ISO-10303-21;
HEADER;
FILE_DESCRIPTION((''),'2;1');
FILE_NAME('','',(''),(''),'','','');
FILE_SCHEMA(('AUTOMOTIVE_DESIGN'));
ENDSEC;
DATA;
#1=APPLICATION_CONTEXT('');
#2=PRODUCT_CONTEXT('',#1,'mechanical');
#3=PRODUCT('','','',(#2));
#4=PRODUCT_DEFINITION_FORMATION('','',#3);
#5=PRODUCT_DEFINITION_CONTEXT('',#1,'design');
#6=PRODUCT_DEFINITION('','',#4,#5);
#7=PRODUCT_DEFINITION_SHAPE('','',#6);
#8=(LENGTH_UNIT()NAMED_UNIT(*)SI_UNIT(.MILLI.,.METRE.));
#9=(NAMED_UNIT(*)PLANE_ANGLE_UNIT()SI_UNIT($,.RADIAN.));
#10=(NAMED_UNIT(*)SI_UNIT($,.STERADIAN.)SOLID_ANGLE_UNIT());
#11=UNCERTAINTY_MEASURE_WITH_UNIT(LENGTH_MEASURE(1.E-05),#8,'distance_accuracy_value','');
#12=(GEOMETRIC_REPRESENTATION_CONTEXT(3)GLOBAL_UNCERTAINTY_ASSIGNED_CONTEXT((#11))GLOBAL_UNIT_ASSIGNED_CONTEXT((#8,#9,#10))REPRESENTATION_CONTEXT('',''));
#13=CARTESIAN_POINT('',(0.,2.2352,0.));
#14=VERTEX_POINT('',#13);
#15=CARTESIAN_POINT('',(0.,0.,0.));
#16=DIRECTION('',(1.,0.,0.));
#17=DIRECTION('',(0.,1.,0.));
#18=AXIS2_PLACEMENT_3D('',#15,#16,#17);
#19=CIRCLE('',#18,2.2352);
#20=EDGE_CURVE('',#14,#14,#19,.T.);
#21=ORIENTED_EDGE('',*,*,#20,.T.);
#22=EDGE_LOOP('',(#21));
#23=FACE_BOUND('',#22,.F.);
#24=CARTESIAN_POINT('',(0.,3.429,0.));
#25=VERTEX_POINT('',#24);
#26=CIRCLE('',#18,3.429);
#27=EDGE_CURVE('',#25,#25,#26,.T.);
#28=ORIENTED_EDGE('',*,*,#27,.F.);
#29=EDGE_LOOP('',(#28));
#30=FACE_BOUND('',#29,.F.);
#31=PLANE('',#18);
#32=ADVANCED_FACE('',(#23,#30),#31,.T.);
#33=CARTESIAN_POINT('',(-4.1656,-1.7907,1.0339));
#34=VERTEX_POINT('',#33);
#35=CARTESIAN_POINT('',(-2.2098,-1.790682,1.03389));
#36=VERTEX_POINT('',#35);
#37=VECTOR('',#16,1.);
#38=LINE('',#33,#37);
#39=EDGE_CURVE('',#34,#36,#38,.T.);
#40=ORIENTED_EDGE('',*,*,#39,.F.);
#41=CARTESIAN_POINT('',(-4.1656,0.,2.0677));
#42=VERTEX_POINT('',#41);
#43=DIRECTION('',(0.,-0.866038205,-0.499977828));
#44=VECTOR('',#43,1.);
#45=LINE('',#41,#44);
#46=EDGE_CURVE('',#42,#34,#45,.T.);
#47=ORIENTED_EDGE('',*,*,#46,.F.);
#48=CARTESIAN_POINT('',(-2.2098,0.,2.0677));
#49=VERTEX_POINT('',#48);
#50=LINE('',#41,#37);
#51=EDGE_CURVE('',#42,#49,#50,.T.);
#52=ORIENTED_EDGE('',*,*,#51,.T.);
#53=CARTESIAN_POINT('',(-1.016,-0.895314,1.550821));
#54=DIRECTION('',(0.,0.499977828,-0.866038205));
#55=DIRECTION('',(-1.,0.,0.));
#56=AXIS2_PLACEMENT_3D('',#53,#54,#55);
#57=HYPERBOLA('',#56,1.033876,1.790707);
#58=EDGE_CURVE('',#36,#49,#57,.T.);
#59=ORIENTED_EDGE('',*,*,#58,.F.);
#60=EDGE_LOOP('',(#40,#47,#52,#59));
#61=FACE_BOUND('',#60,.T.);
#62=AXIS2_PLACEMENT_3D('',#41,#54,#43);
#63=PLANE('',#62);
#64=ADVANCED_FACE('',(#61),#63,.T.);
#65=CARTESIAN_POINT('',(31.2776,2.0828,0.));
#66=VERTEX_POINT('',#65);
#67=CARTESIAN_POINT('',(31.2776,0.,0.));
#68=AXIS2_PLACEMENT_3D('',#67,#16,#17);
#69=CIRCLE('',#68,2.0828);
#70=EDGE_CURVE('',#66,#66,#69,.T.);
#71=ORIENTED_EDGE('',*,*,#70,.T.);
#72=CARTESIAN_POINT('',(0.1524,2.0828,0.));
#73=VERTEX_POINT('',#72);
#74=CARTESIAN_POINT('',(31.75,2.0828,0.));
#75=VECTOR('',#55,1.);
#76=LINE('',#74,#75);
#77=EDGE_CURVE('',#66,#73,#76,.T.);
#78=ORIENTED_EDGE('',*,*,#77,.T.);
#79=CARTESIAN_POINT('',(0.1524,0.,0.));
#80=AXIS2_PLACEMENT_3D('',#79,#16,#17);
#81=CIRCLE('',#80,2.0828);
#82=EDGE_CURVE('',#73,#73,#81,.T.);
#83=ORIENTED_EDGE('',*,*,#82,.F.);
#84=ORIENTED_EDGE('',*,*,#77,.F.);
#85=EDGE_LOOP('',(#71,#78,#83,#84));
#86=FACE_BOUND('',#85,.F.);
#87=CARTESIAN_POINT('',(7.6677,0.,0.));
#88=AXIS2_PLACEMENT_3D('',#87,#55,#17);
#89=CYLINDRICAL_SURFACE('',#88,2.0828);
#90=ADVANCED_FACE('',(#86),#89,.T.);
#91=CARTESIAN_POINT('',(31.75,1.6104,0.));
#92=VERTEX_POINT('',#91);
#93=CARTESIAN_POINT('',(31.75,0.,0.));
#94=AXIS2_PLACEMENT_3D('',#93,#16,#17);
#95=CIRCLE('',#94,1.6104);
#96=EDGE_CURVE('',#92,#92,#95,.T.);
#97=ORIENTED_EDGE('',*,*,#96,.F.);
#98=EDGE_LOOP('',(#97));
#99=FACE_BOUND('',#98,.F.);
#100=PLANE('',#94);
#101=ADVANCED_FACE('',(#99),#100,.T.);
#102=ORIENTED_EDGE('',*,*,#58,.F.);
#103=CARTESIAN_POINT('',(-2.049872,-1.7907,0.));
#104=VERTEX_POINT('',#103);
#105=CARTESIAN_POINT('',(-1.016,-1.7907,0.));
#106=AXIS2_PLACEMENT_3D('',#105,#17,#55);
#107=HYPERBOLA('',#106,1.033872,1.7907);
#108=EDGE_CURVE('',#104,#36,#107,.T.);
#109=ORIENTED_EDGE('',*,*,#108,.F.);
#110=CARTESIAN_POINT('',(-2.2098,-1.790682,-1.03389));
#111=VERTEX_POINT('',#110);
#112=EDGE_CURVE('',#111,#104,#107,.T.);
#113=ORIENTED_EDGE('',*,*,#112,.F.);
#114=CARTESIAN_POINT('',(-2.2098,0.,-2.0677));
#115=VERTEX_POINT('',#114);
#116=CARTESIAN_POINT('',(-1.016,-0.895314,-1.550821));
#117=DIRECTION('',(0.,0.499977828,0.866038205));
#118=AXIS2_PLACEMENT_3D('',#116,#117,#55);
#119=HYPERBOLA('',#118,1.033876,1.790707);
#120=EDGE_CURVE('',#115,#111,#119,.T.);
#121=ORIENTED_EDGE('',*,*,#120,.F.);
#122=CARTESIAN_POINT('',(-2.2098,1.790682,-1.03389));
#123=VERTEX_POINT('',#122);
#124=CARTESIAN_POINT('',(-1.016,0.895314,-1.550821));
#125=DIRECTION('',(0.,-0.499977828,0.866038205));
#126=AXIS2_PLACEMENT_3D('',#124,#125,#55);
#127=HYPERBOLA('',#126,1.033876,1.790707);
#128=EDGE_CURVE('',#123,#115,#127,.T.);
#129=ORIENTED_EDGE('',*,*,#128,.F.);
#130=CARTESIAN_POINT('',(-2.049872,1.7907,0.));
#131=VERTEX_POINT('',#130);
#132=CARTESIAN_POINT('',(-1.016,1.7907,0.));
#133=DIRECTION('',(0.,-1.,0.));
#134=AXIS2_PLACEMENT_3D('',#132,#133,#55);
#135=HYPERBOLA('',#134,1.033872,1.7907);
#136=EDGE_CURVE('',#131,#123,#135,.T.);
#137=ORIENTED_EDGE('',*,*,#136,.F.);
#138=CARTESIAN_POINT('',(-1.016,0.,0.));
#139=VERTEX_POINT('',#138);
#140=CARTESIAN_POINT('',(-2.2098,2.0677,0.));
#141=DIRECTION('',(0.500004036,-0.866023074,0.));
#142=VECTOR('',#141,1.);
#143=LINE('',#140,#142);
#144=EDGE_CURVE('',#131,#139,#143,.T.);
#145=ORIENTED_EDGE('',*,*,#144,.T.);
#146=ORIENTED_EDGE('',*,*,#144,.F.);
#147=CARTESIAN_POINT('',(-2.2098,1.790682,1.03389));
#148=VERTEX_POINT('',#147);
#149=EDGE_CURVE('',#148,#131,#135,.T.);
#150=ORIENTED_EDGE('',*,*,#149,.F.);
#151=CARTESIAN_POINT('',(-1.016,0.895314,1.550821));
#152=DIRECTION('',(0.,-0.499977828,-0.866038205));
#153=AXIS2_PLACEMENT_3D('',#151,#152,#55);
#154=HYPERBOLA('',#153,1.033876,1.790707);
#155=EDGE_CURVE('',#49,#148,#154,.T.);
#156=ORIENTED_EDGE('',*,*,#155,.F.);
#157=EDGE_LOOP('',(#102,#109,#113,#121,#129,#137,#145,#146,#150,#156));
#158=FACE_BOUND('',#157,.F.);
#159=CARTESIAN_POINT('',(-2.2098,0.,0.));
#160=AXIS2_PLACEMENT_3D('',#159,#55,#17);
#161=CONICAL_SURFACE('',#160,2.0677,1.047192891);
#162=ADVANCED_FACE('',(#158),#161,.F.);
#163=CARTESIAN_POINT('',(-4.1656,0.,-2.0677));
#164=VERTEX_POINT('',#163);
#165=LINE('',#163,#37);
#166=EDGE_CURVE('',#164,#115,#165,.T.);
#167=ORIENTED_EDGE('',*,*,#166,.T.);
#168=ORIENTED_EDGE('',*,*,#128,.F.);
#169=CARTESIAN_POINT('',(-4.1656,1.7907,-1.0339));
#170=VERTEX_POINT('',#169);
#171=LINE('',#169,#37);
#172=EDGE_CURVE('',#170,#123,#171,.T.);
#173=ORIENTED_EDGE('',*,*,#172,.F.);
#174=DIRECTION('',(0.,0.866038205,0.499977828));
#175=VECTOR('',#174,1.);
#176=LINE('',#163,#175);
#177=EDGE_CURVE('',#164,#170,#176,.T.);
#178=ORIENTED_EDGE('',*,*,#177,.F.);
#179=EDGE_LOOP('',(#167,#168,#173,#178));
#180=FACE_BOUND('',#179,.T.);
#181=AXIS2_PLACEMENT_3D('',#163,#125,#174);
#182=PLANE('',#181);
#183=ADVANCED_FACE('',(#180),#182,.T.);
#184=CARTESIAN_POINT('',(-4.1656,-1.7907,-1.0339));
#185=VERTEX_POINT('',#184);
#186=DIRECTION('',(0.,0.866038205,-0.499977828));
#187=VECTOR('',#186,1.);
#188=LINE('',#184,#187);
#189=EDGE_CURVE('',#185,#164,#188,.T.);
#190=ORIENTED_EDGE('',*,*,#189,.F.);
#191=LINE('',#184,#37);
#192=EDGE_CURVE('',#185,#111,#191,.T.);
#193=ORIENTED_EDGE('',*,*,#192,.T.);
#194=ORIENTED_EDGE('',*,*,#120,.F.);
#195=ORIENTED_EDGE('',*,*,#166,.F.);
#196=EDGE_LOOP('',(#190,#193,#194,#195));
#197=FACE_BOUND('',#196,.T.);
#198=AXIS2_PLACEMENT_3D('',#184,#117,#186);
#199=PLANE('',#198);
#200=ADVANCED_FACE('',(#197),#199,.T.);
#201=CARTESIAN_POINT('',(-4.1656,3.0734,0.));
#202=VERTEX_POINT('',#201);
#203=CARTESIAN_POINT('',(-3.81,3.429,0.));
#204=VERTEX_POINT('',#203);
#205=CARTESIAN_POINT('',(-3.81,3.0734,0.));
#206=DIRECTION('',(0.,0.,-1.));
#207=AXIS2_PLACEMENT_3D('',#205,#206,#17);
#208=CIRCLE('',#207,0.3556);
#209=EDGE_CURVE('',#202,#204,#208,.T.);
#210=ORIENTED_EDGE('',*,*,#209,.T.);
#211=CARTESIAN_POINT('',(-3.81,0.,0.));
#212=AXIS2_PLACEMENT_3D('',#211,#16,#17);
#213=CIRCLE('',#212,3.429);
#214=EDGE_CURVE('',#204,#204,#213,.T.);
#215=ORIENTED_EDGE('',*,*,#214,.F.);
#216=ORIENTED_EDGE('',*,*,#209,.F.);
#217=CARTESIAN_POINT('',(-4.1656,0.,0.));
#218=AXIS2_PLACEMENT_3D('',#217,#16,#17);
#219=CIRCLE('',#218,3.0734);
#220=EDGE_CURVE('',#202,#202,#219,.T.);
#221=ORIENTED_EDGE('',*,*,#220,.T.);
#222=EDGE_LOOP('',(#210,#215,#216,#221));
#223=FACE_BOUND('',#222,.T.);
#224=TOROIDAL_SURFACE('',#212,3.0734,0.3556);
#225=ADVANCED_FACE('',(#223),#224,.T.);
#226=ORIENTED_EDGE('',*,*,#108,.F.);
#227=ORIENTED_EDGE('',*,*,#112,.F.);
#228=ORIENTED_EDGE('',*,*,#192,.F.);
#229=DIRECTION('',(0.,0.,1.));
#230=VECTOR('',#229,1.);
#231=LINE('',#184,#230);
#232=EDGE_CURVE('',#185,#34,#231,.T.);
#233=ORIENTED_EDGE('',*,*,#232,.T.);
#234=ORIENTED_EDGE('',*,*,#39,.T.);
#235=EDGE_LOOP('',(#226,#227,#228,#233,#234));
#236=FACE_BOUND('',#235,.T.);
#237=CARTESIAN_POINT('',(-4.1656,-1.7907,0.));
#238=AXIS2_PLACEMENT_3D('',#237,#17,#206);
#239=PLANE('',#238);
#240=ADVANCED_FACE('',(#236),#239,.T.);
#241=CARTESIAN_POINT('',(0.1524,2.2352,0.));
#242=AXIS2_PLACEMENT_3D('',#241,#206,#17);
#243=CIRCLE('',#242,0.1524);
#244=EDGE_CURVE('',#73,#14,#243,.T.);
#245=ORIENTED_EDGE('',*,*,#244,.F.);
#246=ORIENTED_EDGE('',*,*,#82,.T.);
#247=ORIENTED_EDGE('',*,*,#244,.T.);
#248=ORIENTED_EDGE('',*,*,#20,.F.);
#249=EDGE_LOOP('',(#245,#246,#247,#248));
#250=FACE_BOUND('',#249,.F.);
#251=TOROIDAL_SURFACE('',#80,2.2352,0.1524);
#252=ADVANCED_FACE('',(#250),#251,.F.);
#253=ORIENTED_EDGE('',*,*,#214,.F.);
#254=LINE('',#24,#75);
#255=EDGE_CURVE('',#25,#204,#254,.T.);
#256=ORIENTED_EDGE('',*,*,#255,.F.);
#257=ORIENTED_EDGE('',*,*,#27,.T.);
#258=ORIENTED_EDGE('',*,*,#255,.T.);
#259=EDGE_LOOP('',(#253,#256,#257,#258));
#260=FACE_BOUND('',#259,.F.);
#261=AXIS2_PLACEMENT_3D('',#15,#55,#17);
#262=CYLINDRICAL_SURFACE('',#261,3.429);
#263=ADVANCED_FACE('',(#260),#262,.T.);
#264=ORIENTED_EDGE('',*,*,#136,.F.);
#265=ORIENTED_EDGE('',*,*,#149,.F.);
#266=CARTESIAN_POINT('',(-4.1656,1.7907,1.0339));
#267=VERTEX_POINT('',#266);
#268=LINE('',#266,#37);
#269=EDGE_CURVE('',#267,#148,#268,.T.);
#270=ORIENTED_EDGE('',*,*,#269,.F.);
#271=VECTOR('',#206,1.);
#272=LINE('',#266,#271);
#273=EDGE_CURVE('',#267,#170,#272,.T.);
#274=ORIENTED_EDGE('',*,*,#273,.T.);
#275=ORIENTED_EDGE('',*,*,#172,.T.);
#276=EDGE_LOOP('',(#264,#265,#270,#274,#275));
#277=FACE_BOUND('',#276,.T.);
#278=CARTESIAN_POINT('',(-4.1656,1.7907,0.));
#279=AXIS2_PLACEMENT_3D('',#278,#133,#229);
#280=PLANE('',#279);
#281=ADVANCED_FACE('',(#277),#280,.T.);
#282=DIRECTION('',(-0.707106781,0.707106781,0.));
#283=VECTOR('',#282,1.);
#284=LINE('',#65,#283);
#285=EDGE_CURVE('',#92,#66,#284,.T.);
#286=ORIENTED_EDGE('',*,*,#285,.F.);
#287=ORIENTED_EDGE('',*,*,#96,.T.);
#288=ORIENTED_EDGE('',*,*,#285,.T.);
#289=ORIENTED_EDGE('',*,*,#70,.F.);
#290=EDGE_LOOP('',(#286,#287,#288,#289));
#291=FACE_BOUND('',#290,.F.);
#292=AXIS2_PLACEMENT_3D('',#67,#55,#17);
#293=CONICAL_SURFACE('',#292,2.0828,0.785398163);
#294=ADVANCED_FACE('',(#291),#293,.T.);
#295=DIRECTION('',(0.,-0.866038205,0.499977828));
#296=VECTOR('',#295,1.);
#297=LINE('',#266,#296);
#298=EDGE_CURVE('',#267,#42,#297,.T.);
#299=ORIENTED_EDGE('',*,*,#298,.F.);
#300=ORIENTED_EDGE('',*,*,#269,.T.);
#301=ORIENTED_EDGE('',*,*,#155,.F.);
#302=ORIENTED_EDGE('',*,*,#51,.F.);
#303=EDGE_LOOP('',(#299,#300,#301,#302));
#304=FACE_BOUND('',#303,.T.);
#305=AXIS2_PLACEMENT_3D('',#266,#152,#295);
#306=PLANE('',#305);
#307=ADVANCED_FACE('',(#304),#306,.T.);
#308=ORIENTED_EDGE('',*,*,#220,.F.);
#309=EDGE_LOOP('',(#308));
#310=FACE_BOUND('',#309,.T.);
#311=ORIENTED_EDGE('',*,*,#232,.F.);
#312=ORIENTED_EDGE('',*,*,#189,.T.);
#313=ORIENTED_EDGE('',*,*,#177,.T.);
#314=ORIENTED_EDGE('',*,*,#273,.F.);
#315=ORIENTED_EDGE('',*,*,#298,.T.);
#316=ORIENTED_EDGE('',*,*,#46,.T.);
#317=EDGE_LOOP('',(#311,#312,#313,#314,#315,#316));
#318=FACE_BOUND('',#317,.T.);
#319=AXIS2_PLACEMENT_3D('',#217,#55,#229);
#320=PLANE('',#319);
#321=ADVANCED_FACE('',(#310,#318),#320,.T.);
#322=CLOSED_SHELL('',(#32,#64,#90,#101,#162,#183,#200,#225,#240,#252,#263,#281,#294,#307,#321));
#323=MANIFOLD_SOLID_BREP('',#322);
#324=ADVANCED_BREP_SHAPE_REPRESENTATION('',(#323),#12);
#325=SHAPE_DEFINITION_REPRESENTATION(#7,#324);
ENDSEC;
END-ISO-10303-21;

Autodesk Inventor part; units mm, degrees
ref_plane "YZ Plane" through (0, 0, 0) normal (1, 0, 0) x (0, 1, 0)
ref_plane "XZ Plane" through (0, 0, 0) normal (0, 1, 0) x (-1, 0, 0)
sketch "Sketch1" plane through (0, 0, 0) normal (0, 0, 1) x (1, 0, 0)
  line L0 (-1.016, 0) -> (31.75, 0)
  line L1 (31.75, 0) -> (31.75, 2.0828)
  line L2 (31.75, 2.0828) -> (9.652, 2.0828)
  line L3 (9.652, 2.0828) -> (7.6677, 2.0828)
  line L4 (7.6677, 2.0828) -> (0, 2.0828)
  line L5 (0, 2.0828) -> (0, 3.429)
  line L6 (0, 3.429) -> (-4.1656, 3.429)
  line L7 (-4.1656, 3.429) -> (-4.1656, 2.0677)
  line L8 (-4.1656, 2.0677) -> (-2.2098, 2.0677)
  line L9 (-2.2098, 2.0677) -> (-1.016, 0)
  line L10 (-11.3487, 0) -> (38.9331, 0) projected
  line L11 (0, -0.6858) -> (0, 4.1148) projected
  line L12 (9.652, 2.0828) -> (0, 2.0828) construction
  dimension "d1" = 22.098
  dimension "d2" = 1.9844
  dimension "d3" = 4.1656
  dimension "d4" = 1.9558
  dimension "d5" = 60
  dimension "d6" = 4.1656
  dimension "d7" = 4.1656
  dimension "d8" = 4.1354
  dimension "d9" = 6.858
  dimension "d26" = 31.75
revolve "Body" add sketch "Sketch1" angle 360 about axis through (-1.016, 0, 0) along (1, 0, 0)
sketch "Sketch2" plane through (-4.1656, 0, 0) normal (-1, 0, 0) x (0, 0, 1)
  circle A0 centre (0, 0) radius 2.0677 projected
  line L0 (0, -4.8006) -> (0, 4.8006) projected
  line L1 (-4.8006, 0) -> (4.8006, 0) projected
  line L2 (2.0677, 0) -> (1.0339, -1.7907)
  line L3 (1.0339, -1.7907) -> (-1.0339, -1.7907)
  line L4 (-1.0339, -1.7907) -> (-2.0677, 0)
  line L5 (-2.0677, 0) -> (-1.0339, 1.7907)
  line L6 (-1.0339, 1.7907) -> (1.0339, 1.7907)
  line L7 (1.0339, 1.7907) -> (2.0677, 0)
extrude "Slot" add sketch "Sketch2" against normal up to next contours L7 A0 | A0 L2 | L6 L0 A0 | A0 L0 L3 | L0 L6 A0 | A0 L3 L0 | L4 A0 | A0 L5
fillet "Fillet1" radius 0.3556 1 edges at (-4.1656, -3.429, 0)
thread "Thread" size "8-32 UNC" class "2A" standard "ANSI Unified Screw Threads" length 22.098
chamfer "Chamfer1" distance 0.4724 distance2 0.4724 1 edges at (31.75, -2.0828, 0) measured on face at (31.75, 0.2462, 0.6492)
ref_plane "Work Plane1" through (29, 0, 0) normal (0, -1, 0) x (1, 0, 0)
fillet "Fillet2" radius 0.1524 1 edges at (0, -2.0828, 0)
equation "\"d1\" = GEL"
equation "\"d3\" = KOH"
equation "\"d4\" = INTI"
equation "\"d6\" = GD"
equation "\"d7\" = BDM"
equation "\"d8\" = 1.1547 * SW"
equation "\"d9\" = KOD"
equation "\"d26\" = NLG"
equation "\"d30\" = R"
equation "\"d17\" = RR"
equation "\"d13\" = GEL"
equation "\"d15\" = -0.5 * SPD + 0.5 * GD"
equation "\"d16\" = GUL"
equation "\"GD\" = 4.1656"
equation "\"NLG\" = 31.75"
equation "\"GEL\" = 22.098"
equation "\"KOD\" = 6.858"
equation "\"KOH\" = 4.1656"
equation "\"INTI\" = 1.9558"
equation "\"GAL\" = 1.98425"
equation "\"GUL\" = 0.47244"
equation "\"BDM\" = 4.1656"
equation "\"SW\" = 3.5814"
equation "\"RR\" = 0.3556"
equation "\"SPD\" = 3.22072"
equation "\"R\" = 0.1524"
equation "\"PHH\" = 0.127"
equation "\"GD1\" = SPD"
equation "\"THREADDIA\" = 4.1656"
equation "\"FAWI\" = 45deg"
equation "\"KOH1\" = 3.7592"
equation "\"NND\" = 4.1656"
equation "\"TOA\" = 30deg"
equation "\"E0\" = 1.155 * SW"
properties part number "ANSI B18.3 - No. 8 - 32 UNC - 1 1/4 HS HCS" material "Steel, Mild"
